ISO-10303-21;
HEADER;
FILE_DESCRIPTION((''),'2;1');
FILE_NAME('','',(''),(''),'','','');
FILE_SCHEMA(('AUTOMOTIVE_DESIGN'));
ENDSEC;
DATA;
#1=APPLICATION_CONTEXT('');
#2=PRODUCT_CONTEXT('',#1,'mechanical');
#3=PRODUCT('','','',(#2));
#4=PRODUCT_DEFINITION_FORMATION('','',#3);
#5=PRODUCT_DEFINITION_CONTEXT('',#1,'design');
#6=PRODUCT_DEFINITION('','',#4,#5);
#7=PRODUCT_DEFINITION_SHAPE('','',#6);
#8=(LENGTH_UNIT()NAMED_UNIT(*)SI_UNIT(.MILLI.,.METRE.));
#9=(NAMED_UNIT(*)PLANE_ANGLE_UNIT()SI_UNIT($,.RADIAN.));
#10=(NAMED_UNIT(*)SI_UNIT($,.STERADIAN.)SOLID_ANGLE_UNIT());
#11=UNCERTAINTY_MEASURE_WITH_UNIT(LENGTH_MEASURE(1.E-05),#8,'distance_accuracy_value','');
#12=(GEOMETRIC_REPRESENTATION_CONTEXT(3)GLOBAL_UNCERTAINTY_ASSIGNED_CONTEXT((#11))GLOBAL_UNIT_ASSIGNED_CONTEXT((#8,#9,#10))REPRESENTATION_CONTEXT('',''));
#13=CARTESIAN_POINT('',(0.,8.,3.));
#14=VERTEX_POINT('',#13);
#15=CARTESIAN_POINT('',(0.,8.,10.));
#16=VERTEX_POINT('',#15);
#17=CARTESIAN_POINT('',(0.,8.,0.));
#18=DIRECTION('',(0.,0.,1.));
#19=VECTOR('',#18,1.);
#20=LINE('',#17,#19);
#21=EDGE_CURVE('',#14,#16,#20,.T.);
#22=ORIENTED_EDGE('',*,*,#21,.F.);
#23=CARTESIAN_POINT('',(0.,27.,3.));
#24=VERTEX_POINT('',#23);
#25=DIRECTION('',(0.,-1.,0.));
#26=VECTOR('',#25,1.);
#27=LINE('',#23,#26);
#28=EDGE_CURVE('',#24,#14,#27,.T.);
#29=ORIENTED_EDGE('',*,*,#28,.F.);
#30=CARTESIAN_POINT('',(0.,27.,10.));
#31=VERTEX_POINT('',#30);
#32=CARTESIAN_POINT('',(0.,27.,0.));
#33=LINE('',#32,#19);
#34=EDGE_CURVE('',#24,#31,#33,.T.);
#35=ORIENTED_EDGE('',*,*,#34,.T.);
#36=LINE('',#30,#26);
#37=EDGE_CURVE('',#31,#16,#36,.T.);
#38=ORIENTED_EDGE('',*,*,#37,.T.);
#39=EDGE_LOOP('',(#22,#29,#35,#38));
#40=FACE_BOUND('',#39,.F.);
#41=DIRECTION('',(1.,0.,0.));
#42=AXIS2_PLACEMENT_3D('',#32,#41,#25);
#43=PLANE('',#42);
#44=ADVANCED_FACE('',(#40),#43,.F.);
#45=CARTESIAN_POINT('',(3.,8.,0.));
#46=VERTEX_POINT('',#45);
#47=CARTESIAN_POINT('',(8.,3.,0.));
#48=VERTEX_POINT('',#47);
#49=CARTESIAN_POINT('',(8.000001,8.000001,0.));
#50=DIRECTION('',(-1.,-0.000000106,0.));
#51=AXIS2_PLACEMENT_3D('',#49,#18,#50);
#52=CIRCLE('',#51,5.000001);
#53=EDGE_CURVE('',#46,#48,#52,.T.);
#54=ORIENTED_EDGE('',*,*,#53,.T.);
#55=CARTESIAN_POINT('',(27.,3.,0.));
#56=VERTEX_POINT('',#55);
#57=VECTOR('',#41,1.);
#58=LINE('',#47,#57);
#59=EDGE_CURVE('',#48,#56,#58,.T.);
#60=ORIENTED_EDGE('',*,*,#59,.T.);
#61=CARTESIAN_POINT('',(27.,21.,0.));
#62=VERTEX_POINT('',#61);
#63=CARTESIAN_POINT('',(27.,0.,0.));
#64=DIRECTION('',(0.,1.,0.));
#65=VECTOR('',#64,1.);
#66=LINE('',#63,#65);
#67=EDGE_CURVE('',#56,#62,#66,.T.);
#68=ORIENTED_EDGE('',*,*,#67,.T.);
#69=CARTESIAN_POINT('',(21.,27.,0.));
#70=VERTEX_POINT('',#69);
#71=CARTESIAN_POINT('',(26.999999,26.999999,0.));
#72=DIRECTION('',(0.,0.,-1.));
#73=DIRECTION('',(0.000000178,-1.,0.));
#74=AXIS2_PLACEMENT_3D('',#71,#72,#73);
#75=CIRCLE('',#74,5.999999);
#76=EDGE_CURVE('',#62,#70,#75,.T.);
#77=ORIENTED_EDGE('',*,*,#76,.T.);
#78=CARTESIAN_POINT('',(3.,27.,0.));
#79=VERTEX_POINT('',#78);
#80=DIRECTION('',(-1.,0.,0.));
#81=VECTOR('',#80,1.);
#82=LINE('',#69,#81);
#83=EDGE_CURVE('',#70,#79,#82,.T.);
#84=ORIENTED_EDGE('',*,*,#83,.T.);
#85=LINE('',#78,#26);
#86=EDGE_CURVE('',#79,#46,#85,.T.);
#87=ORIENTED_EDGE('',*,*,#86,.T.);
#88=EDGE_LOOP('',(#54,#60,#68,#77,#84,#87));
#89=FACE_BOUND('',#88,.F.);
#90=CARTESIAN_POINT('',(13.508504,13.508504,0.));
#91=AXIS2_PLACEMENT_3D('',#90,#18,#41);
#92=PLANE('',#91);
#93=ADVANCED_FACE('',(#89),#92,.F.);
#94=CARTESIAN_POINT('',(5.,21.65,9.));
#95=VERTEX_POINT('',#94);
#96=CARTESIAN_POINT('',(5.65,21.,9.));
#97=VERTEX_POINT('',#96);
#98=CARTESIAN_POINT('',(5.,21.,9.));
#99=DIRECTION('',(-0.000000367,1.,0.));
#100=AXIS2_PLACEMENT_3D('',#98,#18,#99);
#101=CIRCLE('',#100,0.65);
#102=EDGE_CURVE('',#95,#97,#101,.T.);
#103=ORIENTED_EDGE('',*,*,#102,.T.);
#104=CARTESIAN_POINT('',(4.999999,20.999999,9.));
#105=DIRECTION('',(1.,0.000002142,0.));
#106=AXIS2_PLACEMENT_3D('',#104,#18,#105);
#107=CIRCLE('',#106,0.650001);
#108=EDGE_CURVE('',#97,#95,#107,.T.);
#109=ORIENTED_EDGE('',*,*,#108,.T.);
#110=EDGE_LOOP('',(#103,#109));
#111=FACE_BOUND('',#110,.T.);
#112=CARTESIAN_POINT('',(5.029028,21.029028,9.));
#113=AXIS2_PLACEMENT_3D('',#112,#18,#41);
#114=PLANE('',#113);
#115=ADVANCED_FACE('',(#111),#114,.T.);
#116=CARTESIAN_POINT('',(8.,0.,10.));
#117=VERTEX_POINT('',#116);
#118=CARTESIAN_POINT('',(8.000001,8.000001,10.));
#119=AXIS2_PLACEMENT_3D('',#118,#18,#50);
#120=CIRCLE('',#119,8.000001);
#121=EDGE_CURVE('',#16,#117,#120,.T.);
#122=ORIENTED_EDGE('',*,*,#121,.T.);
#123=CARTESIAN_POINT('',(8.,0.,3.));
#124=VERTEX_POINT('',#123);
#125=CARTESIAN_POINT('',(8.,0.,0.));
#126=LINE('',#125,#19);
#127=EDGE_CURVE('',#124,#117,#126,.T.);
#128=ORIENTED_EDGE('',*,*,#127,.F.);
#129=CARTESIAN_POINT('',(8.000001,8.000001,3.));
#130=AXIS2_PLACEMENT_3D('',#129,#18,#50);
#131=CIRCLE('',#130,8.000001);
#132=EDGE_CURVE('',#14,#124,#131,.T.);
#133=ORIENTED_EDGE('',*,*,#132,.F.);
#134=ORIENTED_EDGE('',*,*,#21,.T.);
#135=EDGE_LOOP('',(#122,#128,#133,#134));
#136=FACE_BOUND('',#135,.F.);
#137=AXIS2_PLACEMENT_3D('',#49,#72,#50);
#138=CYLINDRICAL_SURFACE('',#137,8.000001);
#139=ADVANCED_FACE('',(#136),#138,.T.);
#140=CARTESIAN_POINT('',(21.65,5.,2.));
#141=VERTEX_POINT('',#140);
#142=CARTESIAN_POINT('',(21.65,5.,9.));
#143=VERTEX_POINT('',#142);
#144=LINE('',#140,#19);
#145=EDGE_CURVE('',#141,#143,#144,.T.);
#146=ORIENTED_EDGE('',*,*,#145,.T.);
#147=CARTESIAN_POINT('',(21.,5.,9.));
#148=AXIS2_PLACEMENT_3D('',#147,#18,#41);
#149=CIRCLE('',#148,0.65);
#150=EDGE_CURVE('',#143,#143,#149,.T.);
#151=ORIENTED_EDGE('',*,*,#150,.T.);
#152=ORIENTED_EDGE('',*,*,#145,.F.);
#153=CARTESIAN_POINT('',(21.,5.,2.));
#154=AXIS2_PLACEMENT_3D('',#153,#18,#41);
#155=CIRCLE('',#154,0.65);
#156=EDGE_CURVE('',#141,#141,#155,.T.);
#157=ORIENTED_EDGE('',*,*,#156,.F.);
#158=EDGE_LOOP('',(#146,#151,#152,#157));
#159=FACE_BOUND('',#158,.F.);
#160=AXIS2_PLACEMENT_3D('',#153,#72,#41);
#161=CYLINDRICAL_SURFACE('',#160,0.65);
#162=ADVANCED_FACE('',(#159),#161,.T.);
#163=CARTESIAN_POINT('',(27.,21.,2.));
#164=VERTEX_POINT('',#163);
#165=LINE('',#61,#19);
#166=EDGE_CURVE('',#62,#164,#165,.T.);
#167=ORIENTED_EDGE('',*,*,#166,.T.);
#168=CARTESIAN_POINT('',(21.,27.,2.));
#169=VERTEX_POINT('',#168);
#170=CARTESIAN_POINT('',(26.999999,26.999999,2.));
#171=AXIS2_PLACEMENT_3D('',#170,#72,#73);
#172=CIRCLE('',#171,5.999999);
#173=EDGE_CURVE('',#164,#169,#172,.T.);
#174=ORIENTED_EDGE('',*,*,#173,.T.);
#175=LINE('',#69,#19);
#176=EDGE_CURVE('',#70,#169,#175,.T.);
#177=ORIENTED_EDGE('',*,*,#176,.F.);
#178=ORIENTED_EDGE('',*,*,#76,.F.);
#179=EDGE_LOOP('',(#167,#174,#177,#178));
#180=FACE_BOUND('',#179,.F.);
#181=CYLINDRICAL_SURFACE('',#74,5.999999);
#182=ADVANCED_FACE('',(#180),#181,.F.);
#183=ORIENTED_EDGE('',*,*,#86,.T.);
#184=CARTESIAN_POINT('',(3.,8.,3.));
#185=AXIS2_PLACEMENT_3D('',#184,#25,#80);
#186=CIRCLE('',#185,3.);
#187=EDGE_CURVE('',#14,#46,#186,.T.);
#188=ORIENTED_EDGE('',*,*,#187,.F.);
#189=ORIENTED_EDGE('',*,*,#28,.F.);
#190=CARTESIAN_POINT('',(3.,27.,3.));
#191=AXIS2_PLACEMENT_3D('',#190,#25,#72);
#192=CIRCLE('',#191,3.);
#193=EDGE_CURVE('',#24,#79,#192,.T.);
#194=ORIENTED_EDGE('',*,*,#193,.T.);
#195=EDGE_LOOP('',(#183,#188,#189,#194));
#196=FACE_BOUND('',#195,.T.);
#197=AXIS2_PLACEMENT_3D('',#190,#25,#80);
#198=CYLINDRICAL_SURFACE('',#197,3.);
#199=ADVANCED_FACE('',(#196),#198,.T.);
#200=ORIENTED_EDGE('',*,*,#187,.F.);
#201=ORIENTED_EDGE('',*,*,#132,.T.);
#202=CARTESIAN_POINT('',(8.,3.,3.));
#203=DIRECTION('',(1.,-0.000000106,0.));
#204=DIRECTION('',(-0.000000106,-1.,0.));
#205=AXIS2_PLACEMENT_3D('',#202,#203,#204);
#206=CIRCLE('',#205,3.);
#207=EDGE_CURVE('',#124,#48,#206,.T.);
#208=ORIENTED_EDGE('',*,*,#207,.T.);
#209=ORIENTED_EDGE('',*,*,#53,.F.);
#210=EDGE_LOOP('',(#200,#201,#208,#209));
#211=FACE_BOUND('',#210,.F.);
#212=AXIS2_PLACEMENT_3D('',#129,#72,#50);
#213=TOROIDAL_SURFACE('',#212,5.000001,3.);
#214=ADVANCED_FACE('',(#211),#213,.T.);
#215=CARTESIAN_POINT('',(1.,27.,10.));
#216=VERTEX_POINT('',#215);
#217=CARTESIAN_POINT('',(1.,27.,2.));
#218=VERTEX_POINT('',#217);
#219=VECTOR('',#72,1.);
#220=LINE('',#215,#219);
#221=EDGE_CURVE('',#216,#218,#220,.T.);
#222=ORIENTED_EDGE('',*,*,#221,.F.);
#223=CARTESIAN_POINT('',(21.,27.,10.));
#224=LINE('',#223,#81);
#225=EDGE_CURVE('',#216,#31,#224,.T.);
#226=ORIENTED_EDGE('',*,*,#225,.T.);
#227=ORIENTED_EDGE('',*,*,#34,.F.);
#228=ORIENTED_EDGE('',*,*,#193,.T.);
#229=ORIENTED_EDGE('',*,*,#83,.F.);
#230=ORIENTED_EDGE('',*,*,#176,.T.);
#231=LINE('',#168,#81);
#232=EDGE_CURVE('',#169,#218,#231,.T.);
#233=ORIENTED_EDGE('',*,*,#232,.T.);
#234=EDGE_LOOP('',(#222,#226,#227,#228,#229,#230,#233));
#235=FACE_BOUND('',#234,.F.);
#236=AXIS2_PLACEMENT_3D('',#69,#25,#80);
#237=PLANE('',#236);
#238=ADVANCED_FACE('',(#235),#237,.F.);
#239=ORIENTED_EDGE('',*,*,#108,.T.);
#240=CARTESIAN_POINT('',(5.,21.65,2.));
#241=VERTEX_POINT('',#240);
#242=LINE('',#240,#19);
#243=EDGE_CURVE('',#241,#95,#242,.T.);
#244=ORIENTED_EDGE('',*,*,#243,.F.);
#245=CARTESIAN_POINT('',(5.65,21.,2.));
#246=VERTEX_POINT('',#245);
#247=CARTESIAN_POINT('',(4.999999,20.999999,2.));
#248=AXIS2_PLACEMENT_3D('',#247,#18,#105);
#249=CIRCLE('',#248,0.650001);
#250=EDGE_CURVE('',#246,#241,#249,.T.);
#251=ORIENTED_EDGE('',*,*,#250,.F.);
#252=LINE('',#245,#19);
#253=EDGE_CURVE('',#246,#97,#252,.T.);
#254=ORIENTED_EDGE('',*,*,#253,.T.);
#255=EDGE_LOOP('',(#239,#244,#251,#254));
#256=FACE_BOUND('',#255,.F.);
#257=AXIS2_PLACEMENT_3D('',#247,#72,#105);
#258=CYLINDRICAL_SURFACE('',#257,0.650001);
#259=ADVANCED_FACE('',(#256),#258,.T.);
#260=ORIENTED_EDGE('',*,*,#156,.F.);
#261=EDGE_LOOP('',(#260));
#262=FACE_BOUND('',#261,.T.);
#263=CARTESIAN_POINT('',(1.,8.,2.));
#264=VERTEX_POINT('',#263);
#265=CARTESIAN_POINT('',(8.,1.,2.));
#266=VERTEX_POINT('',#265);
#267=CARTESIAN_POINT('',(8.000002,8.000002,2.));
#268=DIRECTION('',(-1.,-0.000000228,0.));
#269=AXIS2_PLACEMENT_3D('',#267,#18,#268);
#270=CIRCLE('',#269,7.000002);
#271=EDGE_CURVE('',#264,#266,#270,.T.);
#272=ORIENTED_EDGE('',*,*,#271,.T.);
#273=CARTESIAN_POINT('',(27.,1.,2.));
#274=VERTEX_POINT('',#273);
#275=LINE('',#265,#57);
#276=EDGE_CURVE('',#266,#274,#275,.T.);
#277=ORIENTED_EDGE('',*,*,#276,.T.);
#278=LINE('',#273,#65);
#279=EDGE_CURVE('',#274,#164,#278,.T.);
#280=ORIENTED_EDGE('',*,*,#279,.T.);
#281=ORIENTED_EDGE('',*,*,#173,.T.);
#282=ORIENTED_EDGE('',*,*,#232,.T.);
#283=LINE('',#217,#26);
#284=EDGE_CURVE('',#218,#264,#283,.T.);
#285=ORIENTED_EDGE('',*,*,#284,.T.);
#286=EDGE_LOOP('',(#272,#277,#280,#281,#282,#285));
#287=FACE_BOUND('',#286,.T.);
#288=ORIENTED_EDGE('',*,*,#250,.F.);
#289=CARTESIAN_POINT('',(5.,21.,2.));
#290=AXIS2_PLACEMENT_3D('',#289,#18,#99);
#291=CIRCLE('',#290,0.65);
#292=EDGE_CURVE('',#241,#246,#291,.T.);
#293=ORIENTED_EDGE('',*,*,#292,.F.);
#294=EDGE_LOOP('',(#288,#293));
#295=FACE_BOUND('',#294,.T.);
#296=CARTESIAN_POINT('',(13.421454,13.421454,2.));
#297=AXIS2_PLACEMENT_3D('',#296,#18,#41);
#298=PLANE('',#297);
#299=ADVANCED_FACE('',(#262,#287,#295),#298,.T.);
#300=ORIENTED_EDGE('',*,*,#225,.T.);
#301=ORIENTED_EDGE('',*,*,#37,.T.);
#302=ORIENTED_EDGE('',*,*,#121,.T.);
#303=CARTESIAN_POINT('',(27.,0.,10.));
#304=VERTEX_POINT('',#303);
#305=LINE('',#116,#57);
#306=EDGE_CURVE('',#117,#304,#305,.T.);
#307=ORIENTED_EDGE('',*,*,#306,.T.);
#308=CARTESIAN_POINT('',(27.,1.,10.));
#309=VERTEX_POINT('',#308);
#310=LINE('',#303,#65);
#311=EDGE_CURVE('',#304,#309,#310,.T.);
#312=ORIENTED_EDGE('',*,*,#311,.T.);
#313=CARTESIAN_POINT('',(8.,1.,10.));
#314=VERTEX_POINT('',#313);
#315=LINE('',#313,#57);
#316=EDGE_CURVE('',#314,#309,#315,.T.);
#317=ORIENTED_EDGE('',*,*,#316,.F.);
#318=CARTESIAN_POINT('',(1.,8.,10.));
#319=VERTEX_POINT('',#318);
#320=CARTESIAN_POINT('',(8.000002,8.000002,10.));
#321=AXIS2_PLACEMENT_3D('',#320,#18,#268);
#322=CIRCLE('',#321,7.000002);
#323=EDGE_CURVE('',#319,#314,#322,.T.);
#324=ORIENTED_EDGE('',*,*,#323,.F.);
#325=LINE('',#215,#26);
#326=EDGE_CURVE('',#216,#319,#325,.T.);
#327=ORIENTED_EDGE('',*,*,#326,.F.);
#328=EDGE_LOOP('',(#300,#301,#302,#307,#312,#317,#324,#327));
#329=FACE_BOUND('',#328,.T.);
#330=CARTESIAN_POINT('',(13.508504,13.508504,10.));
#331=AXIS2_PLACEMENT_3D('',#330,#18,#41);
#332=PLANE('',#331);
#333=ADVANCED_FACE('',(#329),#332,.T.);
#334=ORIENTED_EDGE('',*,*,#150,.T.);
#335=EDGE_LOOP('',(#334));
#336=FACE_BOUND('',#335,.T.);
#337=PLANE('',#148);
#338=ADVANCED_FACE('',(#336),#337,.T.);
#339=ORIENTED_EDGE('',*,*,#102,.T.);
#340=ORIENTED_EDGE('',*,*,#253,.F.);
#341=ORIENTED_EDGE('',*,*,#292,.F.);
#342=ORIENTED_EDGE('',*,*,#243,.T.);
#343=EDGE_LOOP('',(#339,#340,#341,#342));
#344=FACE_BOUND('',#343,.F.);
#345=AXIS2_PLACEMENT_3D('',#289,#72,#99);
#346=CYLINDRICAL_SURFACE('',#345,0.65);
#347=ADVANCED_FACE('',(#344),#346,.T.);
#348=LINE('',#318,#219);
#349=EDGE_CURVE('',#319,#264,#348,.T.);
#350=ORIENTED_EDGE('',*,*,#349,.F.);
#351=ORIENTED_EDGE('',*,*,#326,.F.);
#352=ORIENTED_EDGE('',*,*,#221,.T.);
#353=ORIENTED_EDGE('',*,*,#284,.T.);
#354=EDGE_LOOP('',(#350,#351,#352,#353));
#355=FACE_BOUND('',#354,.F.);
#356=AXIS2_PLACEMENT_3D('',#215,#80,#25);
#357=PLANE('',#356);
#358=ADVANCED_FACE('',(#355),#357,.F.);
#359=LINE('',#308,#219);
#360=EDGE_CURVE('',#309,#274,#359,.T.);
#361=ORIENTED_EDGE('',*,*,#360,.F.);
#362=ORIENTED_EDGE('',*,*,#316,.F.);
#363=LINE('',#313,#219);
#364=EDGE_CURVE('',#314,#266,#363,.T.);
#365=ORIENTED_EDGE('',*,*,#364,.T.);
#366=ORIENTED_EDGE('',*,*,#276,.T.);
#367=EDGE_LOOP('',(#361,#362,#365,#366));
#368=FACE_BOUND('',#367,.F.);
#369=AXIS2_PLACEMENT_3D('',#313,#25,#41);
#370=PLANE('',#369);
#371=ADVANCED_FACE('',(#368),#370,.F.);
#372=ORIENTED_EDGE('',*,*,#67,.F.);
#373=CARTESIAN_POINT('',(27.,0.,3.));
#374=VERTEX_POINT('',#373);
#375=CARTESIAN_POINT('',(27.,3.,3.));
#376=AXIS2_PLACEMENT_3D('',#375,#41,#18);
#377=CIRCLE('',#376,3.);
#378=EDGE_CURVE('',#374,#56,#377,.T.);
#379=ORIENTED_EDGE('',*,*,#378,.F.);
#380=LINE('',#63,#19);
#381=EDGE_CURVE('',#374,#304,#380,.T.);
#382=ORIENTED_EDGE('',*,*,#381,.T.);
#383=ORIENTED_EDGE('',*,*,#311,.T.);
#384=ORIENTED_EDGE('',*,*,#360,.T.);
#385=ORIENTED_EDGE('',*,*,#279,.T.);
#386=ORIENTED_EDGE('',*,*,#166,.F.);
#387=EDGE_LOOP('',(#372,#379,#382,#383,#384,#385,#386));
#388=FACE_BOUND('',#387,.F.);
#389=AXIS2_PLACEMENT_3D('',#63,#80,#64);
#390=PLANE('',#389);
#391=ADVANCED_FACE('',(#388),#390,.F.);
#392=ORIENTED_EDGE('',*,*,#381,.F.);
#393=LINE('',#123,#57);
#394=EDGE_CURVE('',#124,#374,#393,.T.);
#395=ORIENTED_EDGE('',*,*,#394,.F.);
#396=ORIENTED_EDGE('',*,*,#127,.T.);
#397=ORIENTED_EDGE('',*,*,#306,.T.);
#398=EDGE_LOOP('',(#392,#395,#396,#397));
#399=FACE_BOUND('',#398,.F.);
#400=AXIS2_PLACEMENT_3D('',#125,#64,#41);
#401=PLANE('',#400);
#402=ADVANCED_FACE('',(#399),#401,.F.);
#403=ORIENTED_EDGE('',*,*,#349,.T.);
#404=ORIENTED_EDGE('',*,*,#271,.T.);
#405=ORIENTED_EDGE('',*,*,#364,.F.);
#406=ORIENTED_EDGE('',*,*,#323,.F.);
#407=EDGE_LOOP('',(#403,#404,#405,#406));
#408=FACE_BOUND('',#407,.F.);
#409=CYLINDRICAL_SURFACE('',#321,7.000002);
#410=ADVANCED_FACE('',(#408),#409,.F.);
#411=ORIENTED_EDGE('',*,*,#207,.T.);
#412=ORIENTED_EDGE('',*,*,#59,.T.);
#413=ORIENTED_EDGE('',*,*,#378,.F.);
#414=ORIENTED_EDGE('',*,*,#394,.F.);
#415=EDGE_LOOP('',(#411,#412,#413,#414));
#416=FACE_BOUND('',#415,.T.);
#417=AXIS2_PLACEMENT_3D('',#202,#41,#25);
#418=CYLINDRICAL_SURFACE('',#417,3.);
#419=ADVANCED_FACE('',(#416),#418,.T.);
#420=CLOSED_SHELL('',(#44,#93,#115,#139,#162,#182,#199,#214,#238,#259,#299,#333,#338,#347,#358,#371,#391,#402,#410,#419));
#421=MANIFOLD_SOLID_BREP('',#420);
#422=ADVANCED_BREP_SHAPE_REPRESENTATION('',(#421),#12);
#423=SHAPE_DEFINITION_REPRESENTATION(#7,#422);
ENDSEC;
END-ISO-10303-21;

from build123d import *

# Parameters (mm, degrees)
F1_DEPTH = 10
F2_R     = 3
F4_DEPTH = 8
F5_R     = 0.65
F6_DEPTH = 7


with BuildPart() as f1:
    # F0 (on Top) → F1 (new body)
    with BuildSketch(Plane.XY):
        with BuildLine():
            ThreePointArc((0, 8), (2.343146, 2.343146), (8, 0))
            Line((8, 0), (27, 0))
            Line((27, 0), (27, 21))
            ThreePointArc((27, 21), (22.757359, 22.757359), (21, 27))
            Line((21, 27), (0, 27))
            Line((0, 27), (0, 8))
        make_face()
    extrude(amount=F1_DEPTH)

    # F2
    f2_edges = [f1.edges().sort_by_distance(p)[0] for p in [
        (17.5, 0, 0),
        (2.343146, 2.343146, 0),
        (0, 17.5, 0),
    ]]
    fillet(f2_edges, radius=F2_R)

    # F3 (on face) → F4 (cut)
    with BuildSketch(Plane.XY.offset(10)):
        with BuildLine():
            Line((20.071797, 26), (1, 26))
            Line((1, 26), (1, 8))
            ThreePointArc((1, 8), (3.050253, 3.050253), (8, 1))
            Line((8, 1), (26, 1))
            Line((26, 1), (26, 20.071797))
            ThreePointArc((26, 20.071797), (22.050253, 22.050253), (20.071797, 26))
        make_face()
        with BuildLine():
            Line((1, 27), (1, 26))
            Line((1, 26), (20.071797, 26))
            ThreePointArc((20.071797, 26), (22.050253, 22.050253), (26, 20.071797))
            Line((26, 20.071797), (26, 1))
            Line((26, 1), (27, 1))
            Line((27, 1), (27, 21))
            ThreePointArc((27, 21), (22.757359, 22.757359), (21, 27))
            Line((21, 27), (1, 27))
        make_face()
    extrude(amount=-F4_DEPTH, mode=Mode.SUBTRACT)

    # F5 (on face) → F6 (join)
    with BuildSketch(Plane.XY.offset(2)):
        with Locations((21, 5)):
            Circle(F5_R)
        with BuildLine():
            ThreePointArc((5.65, 21), (5.459619, 21.459619), (5, 21.65))
            ThreePointArc((5, 21.65), (4.540381, 20.540381), (5.65, 21))
        make_face()
    extrude(amount=F6_DEPTH)


solid = f1.part
